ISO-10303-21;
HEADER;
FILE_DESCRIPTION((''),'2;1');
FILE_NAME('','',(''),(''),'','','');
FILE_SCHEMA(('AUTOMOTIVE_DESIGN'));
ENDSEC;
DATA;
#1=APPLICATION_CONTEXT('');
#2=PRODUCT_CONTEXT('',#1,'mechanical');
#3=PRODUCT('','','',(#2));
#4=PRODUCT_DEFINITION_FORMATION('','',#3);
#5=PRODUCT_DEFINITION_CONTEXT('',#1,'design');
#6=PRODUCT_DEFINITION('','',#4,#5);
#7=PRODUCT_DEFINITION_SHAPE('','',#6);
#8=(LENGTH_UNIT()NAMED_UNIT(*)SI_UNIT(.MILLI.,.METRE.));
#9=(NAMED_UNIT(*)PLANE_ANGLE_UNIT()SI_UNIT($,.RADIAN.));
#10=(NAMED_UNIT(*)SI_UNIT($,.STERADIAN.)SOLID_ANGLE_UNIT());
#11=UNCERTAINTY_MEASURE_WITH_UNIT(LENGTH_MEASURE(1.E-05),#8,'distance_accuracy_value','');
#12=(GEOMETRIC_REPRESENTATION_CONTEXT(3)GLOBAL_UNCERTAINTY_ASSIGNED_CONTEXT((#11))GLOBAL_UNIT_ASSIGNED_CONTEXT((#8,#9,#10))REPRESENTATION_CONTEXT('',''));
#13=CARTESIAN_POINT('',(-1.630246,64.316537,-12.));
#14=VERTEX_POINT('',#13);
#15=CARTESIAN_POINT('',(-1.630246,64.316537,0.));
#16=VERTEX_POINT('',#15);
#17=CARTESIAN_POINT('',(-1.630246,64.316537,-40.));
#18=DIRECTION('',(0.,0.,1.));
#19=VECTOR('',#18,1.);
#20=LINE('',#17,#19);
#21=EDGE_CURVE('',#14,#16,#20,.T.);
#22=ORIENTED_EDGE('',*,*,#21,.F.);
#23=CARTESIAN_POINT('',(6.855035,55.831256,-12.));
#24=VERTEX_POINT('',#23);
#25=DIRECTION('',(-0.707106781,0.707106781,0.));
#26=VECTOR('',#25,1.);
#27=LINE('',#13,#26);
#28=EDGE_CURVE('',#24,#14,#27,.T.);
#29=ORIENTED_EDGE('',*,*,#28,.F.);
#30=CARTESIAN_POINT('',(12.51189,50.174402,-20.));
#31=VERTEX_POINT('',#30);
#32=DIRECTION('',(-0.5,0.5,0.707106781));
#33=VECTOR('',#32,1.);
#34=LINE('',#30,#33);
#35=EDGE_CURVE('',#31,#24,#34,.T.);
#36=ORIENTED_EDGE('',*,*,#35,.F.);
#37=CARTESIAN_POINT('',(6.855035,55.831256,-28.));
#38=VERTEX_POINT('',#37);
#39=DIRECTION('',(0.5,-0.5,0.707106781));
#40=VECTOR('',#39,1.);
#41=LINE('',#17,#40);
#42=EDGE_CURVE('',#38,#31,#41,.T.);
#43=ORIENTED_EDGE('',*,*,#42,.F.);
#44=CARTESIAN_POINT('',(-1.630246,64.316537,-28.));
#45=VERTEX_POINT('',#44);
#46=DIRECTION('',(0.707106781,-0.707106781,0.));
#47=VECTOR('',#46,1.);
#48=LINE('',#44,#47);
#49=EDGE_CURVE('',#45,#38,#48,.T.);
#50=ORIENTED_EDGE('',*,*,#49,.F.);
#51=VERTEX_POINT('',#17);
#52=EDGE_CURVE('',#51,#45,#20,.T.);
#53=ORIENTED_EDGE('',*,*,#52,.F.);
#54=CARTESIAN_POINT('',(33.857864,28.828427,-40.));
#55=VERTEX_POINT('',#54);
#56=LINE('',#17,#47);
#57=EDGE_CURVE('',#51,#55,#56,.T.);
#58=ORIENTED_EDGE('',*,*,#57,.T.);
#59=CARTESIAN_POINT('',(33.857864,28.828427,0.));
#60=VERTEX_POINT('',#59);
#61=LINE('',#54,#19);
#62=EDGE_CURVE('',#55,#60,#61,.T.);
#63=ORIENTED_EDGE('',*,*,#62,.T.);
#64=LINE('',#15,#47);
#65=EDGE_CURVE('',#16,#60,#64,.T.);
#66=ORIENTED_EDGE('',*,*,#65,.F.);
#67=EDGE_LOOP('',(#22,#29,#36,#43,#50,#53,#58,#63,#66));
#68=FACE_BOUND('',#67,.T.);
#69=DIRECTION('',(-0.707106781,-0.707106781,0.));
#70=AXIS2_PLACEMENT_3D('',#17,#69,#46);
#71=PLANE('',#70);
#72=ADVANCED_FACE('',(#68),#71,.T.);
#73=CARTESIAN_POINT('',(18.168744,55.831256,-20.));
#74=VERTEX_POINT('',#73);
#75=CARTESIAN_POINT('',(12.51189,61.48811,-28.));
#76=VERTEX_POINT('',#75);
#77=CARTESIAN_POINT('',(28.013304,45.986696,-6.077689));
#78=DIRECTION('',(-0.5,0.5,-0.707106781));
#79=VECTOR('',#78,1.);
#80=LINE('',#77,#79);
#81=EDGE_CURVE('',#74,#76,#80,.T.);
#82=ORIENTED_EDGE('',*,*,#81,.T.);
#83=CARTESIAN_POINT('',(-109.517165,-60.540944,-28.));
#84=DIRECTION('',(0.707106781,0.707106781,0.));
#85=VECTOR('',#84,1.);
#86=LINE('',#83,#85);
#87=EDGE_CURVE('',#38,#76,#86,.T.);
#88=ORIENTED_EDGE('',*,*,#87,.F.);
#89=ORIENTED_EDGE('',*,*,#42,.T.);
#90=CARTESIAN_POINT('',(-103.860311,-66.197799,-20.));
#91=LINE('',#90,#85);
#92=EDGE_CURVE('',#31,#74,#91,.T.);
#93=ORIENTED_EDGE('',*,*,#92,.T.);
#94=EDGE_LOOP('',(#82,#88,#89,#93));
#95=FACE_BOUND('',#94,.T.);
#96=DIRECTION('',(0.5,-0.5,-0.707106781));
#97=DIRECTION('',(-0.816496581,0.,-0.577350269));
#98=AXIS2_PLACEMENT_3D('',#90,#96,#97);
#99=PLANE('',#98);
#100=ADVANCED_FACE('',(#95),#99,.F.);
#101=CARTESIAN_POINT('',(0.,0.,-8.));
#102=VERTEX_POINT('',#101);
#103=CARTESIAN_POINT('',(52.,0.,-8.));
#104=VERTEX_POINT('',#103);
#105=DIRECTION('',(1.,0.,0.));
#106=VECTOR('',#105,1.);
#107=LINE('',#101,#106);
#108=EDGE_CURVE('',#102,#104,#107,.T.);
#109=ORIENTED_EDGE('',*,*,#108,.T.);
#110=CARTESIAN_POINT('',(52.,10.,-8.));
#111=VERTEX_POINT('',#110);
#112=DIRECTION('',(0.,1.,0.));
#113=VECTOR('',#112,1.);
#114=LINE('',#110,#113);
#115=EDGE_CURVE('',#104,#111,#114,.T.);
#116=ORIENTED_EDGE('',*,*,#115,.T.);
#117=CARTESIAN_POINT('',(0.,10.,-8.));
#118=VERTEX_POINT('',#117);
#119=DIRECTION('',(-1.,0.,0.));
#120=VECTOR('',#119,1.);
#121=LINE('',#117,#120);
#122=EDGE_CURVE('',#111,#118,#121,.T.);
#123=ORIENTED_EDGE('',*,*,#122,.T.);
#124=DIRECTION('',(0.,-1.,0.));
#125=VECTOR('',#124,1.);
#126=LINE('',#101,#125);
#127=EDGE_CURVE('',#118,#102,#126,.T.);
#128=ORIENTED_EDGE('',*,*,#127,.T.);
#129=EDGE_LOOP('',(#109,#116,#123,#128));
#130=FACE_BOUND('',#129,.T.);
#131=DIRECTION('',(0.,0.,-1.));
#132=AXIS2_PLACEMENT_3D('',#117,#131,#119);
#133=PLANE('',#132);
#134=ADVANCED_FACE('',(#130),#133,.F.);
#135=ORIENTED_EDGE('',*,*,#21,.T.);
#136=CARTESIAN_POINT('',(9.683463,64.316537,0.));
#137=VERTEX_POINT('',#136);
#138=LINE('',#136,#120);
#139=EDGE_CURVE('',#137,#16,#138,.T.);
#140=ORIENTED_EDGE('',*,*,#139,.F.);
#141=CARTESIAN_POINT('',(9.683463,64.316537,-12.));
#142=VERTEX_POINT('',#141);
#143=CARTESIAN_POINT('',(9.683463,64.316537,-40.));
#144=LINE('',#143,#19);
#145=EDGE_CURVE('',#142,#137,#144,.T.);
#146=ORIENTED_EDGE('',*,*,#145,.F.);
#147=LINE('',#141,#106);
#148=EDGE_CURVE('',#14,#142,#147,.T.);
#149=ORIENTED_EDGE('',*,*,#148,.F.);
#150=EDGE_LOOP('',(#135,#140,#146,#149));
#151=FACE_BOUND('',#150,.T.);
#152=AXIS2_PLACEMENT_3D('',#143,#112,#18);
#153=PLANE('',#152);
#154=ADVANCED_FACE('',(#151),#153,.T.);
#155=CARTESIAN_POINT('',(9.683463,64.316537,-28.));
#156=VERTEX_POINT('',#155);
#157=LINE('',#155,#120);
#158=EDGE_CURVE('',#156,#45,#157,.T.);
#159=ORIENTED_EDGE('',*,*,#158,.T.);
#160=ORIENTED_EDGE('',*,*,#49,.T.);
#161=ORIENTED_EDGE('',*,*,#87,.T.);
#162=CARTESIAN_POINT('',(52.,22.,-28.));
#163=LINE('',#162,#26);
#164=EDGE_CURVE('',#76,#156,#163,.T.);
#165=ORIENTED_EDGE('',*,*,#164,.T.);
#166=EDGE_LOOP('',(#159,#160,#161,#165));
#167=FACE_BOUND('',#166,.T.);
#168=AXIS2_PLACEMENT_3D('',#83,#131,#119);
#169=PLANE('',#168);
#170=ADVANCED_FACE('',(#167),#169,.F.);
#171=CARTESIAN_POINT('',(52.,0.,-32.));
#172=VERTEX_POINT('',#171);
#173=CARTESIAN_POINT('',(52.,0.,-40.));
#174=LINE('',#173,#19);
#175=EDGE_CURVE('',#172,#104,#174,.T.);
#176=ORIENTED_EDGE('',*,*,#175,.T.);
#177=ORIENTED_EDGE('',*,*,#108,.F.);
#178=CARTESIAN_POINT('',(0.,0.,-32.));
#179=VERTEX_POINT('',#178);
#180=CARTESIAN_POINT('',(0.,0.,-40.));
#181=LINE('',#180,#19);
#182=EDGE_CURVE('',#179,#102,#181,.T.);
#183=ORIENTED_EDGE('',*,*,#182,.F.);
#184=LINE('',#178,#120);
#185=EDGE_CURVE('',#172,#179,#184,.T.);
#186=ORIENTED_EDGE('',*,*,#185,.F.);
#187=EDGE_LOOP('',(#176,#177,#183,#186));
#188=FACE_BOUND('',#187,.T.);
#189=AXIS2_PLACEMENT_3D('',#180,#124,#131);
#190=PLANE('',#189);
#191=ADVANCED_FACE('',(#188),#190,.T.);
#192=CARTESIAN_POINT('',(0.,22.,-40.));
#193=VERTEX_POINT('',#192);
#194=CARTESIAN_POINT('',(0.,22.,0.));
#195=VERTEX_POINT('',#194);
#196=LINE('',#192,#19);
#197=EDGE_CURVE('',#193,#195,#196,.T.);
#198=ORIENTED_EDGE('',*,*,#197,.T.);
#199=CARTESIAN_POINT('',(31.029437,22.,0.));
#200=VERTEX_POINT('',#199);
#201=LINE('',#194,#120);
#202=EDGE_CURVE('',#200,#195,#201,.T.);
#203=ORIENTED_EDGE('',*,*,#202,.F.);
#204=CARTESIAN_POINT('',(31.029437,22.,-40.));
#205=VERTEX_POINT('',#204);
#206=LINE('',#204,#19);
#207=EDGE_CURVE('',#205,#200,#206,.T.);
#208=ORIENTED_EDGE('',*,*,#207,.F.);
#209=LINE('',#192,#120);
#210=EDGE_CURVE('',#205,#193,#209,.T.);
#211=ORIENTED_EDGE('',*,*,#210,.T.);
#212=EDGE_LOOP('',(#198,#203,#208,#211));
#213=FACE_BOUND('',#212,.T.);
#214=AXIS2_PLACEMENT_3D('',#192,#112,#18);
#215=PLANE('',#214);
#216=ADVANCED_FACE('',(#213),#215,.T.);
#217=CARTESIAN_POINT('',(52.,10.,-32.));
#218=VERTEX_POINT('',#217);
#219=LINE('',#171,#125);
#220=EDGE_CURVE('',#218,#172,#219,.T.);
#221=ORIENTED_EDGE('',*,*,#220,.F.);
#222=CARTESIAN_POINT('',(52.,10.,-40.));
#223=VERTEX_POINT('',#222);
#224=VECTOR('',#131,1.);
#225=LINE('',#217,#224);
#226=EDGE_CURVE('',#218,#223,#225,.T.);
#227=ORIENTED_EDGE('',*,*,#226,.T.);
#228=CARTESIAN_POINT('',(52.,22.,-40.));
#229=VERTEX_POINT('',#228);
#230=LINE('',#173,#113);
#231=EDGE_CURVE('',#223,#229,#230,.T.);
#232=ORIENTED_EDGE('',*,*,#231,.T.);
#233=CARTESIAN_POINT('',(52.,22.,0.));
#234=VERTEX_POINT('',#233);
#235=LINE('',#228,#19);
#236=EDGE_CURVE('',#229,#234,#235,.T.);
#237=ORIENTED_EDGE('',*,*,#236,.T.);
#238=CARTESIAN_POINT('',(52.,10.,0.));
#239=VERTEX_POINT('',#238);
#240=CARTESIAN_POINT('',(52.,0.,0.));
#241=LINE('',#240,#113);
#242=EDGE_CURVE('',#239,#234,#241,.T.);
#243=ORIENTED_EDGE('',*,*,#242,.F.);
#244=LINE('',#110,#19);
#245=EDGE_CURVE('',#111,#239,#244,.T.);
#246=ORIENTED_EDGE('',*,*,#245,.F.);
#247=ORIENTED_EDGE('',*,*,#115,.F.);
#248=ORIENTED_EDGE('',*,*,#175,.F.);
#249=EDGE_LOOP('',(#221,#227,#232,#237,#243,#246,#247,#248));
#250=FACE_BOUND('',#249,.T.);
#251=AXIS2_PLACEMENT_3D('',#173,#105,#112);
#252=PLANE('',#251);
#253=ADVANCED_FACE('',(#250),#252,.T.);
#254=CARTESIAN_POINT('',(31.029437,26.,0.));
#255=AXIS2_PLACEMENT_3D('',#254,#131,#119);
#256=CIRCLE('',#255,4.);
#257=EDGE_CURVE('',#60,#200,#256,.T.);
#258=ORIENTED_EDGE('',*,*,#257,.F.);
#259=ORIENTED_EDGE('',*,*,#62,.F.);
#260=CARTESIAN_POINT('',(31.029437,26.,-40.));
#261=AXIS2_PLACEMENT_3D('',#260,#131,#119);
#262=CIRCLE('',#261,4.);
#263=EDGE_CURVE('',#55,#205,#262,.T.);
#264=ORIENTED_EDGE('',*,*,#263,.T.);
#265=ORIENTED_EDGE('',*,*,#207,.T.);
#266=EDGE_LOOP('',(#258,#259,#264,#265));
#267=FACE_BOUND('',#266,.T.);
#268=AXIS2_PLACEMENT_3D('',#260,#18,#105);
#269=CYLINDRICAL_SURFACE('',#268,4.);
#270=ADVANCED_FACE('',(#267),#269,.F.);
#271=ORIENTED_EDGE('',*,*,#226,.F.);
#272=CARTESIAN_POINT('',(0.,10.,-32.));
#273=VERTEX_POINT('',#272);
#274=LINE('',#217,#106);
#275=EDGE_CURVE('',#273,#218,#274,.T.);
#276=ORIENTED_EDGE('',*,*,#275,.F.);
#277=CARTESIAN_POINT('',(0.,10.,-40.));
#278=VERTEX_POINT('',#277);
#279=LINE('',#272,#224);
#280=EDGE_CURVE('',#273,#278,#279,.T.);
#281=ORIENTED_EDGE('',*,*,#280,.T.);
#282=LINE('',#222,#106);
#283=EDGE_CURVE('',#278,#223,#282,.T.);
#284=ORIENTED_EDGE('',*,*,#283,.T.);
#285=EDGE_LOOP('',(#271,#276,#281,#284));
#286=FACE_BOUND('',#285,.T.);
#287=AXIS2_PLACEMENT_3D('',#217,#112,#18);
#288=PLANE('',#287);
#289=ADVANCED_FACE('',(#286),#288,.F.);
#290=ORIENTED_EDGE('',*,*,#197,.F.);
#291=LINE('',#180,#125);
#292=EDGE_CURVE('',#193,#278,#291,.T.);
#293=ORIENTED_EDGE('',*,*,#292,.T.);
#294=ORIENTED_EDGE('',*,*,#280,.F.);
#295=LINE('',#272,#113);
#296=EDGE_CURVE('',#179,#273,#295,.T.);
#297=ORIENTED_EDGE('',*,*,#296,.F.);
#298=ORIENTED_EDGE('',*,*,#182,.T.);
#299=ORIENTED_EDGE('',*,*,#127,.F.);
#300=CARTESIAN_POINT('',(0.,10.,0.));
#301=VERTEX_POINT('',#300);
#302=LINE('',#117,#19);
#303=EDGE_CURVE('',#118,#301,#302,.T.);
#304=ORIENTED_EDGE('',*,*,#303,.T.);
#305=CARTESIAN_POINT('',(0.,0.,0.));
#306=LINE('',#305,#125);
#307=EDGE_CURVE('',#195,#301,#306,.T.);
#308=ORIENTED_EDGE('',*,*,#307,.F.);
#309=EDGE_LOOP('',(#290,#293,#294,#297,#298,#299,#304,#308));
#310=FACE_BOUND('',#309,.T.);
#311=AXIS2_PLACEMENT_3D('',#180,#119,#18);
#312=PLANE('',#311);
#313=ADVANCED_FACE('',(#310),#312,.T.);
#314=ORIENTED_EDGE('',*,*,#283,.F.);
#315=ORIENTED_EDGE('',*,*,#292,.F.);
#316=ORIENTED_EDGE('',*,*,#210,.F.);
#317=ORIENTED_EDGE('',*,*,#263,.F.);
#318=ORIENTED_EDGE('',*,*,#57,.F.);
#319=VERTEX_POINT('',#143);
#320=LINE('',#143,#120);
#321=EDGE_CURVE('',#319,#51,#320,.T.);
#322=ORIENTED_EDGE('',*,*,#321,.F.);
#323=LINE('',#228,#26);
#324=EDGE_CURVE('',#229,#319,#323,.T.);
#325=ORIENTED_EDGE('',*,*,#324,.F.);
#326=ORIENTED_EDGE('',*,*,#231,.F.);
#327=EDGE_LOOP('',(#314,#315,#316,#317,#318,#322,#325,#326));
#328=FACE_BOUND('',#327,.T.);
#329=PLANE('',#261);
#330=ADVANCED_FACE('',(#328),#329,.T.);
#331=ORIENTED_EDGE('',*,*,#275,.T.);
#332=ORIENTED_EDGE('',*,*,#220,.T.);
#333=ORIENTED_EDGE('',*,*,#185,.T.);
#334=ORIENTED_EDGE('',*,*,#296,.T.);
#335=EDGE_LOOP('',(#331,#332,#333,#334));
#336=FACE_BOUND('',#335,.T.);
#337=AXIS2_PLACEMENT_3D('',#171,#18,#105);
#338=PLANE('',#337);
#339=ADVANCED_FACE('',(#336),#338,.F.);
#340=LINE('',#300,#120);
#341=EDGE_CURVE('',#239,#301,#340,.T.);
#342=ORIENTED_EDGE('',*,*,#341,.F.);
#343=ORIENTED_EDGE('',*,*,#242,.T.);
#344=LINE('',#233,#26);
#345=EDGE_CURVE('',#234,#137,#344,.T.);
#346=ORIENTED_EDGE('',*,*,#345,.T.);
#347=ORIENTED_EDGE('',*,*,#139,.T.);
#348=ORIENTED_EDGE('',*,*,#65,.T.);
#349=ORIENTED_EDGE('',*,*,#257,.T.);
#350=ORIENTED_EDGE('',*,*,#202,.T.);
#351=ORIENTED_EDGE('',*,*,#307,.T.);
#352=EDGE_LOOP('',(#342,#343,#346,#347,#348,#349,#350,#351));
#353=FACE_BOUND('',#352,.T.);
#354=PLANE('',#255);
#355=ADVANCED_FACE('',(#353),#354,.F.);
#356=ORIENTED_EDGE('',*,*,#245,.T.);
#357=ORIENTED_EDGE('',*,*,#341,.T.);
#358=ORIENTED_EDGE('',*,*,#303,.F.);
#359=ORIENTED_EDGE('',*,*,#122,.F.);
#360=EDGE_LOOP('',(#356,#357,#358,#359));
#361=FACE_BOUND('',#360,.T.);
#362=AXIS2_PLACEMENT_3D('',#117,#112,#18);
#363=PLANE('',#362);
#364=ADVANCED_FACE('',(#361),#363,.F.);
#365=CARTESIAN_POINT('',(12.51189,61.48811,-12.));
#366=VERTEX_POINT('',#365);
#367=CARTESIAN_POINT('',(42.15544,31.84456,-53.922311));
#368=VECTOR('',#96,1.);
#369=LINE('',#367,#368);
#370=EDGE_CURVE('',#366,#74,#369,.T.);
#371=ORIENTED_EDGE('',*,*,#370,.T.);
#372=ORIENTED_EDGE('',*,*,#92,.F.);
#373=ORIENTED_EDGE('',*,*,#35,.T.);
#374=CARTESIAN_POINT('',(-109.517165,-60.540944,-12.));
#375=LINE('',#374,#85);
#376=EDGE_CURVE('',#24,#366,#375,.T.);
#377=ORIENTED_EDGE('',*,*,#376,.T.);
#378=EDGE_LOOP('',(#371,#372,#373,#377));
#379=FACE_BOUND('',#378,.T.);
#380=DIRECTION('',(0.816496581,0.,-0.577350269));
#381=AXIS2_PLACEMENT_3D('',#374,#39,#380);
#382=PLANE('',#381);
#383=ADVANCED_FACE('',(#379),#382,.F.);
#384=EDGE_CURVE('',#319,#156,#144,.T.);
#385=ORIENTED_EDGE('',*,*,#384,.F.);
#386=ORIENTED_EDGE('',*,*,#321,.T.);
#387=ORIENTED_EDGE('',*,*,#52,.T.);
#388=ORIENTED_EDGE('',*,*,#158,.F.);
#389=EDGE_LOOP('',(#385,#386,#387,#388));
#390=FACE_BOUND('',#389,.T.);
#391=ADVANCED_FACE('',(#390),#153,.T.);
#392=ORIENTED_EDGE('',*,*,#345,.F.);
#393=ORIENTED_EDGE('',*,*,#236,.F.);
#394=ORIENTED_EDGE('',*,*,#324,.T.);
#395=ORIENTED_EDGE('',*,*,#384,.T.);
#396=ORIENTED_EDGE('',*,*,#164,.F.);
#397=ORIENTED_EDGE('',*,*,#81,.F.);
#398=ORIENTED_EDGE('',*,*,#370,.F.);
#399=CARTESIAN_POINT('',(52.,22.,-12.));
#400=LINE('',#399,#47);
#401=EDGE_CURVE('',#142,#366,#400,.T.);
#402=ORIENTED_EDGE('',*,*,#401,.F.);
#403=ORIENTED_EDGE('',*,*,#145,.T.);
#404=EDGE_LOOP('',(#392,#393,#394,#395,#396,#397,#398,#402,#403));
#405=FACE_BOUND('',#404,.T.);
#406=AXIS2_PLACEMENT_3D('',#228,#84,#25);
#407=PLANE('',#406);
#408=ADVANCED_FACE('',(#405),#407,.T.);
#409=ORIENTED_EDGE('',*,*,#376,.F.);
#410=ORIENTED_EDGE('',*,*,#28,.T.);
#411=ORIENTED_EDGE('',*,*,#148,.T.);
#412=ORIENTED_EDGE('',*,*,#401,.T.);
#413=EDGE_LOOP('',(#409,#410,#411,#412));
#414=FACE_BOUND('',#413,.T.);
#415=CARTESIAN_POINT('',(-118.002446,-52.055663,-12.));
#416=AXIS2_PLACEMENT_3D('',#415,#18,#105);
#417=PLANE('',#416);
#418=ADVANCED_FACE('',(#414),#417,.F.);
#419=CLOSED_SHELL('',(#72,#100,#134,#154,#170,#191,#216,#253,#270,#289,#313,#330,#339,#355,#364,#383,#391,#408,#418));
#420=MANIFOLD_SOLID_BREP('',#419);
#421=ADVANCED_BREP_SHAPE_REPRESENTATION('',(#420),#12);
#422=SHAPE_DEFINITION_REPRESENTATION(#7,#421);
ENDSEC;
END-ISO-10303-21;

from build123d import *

# Parameters (mm, degrees)
EXTRUDE_1_DEPTH          = 40
SKETCH_4_W               = 52
SKETCH_4_H               = 10
CUT_EXTRUDE_1_DEPTH      = 8
SKETCH_7_W               = 52
SKETCH_7_H               = 10
CUT_EXTRUDE_2_DEPTH      = 8
CUT_EXTRUDE_3_DEPTH      = 67.792933004
CUT_EXTRUDE_3_DEPTH_BACK = 67.792933004


with BuildPart() as part:
    # 草圖2 → 填料-伸長1 (new body)
    with BuildSketch(Plane.XY):
        with BuildLine():
            Line((0, 0), (52, 0))
            Line((52, 0), (52, 22))
            Line((52, 22), (9.683462586, 64.316537414))
            Line((9.683462586, 64.316537414), (-1.630245913, 64.316537414))
            Line((-1.630245913, 64.316537414), (33.857864376, 28.828427125))
            ThreePointArc((33.857864376, 28.828427125), (34.724955382, 24.469266271), (31.029437252, 22))
            Line((31.029437252, 22), (0, 22))
            Line((0, 22), (0, 0))
        make_face()
    extrude(amount=-EXTRUDE_1_DEPTH)

    # 草圖4 → 除料-伸長1 (cut)
    with BuildSketch(Plane.XY):
        with Locations((26, 5)):
            Rectangle(SKETCH_4_W, SKETCH_4_H)
    extrude(amount=-CUT_EXTRUDE_1_DEPTH, mode=Mode.SUBTRACT)

    # 草圖7 → 除料-伸長2 (cut)
    with BuildSketch(Plane(origin=(0, 0, -40), x_dir=(-1, 0, 0), z_dir=(0, 0, -1))):
        with Locations((-26, 5)):
            Rectangle(SKETCH_7_W, SKETCH_7_H)
    extrude(amount=-CUT_EXTRUDE_2_DEPTH, mode=Mode.SUBTRACT)

    # 草圖9 → 除料-伸長3 (cut, two sides: drawn at the far end of the back side and taken through both)
    with BuildSketch(Plane(origin=(37, 37, 0), x_dir=(0, 0, -1), z_dir=(0.7071067811865432, 0.7071067811865519, 0)).offset(-CUT_EXTRUDE_3_DEPTH_BACK)):
        Polygon((12, 232.582795613), (12, 46.631417687), (12, 34.631417687), (20, 26.631417687), (28, 34.631417687), (28, 46.631417687), (28, 232.582795613), (28, 604.485551465), (12, 604.485551465), align=None)
    extrude(amount=CUT_EXTRUDE_3_DEPTH + CUT_EXTRUDE_3_DEPTH_BACK, mode=Mode.SUBTRACT)


solid = part.part
